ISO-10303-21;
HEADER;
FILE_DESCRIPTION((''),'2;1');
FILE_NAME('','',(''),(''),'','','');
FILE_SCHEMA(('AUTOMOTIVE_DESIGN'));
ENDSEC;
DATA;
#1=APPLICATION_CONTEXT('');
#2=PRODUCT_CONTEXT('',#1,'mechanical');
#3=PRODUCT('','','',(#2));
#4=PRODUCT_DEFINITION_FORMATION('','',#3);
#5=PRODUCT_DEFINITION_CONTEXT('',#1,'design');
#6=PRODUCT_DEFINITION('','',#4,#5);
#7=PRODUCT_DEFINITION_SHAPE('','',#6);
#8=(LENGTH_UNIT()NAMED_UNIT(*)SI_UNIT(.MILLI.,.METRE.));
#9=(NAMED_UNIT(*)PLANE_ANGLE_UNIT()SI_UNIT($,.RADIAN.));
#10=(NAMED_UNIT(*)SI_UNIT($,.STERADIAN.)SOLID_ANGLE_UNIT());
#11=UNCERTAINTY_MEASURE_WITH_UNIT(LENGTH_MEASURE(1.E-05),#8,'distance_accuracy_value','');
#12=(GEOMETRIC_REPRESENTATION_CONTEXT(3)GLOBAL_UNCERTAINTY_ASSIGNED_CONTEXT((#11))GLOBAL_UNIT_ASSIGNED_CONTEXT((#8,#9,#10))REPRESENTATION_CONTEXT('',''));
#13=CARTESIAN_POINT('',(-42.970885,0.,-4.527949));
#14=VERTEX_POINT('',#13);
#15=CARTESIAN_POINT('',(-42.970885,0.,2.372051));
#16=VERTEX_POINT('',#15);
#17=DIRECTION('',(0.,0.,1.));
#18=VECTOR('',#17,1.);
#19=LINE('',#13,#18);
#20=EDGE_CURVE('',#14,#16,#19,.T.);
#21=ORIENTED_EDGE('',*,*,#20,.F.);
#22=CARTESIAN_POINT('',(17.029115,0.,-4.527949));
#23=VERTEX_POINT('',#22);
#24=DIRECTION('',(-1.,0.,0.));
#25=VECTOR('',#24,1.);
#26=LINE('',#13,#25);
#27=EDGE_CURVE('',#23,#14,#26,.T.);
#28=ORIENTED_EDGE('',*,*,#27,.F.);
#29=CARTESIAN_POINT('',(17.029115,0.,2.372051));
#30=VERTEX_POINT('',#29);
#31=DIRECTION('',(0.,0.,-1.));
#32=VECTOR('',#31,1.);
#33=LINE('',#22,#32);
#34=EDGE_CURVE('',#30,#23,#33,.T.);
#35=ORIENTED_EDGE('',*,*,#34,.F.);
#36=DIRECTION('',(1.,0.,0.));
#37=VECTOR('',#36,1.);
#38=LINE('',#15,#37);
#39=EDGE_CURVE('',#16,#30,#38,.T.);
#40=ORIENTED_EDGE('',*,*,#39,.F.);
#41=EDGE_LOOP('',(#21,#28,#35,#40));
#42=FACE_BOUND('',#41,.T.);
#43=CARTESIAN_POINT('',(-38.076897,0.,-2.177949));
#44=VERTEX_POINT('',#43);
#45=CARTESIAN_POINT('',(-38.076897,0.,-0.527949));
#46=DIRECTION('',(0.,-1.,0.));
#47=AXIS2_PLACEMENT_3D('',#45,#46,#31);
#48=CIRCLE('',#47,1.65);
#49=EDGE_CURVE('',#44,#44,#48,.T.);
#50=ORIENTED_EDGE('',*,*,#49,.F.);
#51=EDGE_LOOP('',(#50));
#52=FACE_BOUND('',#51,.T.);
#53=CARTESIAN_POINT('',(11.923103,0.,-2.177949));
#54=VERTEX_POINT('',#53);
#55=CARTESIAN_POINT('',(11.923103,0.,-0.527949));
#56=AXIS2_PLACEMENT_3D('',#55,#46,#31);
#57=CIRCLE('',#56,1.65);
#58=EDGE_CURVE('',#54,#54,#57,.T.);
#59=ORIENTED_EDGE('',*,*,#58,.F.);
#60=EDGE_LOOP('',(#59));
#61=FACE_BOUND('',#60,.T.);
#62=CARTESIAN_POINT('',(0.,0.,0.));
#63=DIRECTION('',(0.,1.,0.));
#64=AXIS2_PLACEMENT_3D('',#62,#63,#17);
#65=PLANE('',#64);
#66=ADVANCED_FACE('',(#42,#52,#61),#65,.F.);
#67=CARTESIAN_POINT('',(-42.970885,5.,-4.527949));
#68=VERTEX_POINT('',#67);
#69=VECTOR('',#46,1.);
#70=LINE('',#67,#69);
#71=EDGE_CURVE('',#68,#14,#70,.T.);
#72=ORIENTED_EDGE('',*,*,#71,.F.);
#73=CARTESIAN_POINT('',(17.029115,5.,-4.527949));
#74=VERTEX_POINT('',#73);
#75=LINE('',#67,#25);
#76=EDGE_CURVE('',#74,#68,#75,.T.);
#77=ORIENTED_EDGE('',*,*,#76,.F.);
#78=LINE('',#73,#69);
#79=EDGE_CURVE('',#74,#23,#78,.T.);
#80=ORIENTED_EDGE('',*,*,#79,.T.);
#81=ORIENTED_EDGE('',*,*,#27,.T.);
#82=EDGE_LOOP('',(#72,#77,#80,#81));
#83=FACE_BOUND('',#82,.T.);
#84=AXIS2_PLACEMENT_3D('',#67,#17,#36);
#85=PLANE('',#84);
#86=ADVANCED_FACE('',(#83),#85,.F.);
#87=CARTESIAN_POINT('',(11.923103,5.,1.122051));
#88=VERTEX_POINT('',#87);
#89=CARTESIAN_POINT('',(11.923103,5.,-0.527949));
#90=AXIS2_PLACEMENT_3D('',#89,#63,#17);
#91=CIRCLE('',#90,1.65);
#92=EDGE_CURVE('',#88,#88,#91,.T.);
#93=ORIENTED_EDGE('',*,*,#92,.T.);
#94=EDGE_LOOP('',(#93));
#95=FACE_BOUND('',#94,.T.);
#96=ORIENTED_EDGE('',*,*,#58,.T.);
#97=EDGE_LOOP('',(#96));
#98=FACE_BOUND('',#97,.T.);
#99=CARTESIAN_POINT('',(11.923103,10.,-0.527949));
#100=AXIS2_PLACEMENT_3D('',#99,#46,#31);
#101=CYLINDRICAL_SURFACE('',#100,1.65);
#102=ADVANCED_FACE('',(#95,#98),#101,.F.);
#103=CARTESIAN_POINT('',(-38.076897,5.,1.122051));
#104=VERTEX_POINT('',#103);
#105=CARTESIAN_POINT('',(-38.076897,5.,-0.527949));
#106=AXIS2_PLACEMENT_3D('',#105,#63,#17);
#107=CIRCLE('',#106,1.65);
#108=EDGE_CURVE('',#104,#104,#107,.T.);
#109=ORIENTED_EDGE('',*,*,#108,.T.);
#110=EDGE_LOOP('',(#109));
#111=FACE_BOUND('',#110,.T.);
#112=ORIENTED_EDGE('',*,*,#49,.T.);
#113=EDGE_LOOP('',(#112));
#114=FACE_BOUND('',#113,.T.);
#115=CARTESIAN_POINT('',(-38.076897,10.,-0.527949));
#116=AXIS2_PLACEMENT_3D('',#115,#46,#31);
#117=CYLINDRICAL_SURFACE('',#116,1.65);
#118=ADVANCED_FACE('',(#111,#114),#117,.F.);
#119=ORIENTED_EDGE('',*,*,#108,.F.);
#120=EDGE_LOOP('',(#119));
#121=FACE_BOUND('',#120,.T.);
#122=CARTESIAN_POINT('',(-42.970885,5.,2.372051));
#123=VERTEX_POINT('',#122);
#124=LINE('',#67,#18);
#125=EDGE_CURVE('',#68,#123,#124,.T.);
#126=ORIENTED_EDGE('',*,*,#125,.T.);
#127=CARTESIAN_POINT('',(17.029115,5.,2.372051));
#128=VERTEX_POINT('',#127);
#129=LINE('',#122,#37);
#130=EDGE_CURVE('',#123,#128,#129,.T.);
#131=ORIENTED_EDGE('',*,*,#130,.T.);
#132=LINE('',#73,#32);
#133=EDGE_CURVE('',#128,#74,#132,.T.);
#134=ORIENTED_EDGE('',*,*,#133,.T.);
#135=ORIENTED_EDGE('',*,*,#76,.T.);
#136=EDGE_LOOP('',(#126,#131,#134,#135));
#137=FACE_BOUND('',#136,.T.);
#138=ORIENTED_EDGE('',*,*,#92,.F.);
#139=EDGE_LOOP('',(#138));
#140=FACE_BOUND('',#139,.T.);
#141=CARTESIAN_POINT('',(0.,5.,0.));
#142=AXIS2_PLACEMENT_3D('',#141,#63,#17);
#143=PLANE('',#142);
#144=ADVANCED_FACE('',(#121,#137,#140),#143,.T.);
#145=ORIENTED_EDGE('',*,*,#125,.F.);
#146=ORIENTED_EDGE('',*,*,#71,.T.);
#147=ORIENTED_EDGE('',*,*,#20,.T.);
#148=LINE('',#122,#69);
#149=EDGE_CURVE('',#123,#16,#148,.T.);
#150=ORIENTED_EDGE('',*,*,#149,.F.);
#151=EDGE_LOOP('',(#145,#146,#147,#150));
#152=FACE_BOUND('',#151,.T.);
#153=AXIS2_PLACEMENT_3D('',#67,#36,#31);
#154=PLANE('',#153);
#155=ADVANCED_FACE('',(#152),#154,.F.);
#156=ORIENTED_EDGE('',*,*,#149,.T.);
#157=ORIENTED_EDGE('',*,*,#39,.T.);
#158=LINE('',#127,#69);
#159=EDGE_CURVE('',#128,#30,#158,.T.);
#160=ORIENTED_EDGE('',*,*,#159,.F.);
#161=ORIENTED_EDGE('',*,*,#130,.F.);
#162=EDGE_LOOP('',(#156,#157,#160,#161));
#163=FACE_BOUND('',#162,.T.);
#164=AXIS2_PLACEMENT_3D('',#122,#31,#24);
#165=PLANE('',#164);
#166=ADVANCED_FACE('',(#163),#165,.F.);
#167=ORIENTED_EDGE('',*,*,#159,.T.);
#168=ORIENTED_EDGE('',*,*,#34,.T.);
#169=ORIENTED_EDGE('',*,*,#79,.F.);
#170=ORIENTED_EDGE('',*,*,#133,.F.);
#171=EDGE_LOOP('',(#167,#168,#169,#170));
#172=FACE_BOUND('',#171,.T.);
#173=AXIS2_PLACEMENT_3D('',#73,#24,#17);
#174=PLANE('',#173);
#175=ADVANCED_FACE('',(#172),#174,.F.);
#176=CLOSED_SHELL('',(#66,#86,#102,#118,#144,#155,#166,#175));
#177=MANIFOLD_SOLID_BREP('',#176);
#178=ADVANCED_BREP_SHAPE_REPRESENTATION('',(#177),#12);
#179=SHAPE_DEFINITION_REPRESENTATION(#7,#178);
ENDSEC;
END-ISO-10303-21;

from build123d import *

# Parameters (mm, degrees)
SKETCH_1_W          = 60
SKETCH_1_H          = 6.9
EXTRUDE_1_DEPTH     = 5
SKETCH_2_R          = 1.65
CUT_EXTRUDE_1_DEPTH = 10


with BuildPart() as part:
    # 草图1 → 凸台-拉伸1 (new body)
    with BuildSketch(Plane(origin=(0, 0, 0), x_dir=(1, 0, 0), z_dir=(0, 1, 0))):
        with Locations((-12.970884588, 1.077948994)):
            Rectangle(SKETCH_1_W, SKETCH_1_H)
    extrude(amount=EXTRUDE_1_DEPTH)

    # 草图2 → 切除-拉伸1 (cut)
    with BuildSketch(Plane.XZ):
        with Locations(Location((11.923103363, -0.527948994, 0), (0, 0, 270))):
            Circle(SKETCH_2_R)
        with Locations(Location((-38.076896637, -0.527948994, 0), (0, 0, 270))):
            Circle(SKETCH_2_R)
    extrude(amount=-CUT_EXTRUDE_1_DEPTH, mode=Mode.SUBTRACT)


solid = part.part
